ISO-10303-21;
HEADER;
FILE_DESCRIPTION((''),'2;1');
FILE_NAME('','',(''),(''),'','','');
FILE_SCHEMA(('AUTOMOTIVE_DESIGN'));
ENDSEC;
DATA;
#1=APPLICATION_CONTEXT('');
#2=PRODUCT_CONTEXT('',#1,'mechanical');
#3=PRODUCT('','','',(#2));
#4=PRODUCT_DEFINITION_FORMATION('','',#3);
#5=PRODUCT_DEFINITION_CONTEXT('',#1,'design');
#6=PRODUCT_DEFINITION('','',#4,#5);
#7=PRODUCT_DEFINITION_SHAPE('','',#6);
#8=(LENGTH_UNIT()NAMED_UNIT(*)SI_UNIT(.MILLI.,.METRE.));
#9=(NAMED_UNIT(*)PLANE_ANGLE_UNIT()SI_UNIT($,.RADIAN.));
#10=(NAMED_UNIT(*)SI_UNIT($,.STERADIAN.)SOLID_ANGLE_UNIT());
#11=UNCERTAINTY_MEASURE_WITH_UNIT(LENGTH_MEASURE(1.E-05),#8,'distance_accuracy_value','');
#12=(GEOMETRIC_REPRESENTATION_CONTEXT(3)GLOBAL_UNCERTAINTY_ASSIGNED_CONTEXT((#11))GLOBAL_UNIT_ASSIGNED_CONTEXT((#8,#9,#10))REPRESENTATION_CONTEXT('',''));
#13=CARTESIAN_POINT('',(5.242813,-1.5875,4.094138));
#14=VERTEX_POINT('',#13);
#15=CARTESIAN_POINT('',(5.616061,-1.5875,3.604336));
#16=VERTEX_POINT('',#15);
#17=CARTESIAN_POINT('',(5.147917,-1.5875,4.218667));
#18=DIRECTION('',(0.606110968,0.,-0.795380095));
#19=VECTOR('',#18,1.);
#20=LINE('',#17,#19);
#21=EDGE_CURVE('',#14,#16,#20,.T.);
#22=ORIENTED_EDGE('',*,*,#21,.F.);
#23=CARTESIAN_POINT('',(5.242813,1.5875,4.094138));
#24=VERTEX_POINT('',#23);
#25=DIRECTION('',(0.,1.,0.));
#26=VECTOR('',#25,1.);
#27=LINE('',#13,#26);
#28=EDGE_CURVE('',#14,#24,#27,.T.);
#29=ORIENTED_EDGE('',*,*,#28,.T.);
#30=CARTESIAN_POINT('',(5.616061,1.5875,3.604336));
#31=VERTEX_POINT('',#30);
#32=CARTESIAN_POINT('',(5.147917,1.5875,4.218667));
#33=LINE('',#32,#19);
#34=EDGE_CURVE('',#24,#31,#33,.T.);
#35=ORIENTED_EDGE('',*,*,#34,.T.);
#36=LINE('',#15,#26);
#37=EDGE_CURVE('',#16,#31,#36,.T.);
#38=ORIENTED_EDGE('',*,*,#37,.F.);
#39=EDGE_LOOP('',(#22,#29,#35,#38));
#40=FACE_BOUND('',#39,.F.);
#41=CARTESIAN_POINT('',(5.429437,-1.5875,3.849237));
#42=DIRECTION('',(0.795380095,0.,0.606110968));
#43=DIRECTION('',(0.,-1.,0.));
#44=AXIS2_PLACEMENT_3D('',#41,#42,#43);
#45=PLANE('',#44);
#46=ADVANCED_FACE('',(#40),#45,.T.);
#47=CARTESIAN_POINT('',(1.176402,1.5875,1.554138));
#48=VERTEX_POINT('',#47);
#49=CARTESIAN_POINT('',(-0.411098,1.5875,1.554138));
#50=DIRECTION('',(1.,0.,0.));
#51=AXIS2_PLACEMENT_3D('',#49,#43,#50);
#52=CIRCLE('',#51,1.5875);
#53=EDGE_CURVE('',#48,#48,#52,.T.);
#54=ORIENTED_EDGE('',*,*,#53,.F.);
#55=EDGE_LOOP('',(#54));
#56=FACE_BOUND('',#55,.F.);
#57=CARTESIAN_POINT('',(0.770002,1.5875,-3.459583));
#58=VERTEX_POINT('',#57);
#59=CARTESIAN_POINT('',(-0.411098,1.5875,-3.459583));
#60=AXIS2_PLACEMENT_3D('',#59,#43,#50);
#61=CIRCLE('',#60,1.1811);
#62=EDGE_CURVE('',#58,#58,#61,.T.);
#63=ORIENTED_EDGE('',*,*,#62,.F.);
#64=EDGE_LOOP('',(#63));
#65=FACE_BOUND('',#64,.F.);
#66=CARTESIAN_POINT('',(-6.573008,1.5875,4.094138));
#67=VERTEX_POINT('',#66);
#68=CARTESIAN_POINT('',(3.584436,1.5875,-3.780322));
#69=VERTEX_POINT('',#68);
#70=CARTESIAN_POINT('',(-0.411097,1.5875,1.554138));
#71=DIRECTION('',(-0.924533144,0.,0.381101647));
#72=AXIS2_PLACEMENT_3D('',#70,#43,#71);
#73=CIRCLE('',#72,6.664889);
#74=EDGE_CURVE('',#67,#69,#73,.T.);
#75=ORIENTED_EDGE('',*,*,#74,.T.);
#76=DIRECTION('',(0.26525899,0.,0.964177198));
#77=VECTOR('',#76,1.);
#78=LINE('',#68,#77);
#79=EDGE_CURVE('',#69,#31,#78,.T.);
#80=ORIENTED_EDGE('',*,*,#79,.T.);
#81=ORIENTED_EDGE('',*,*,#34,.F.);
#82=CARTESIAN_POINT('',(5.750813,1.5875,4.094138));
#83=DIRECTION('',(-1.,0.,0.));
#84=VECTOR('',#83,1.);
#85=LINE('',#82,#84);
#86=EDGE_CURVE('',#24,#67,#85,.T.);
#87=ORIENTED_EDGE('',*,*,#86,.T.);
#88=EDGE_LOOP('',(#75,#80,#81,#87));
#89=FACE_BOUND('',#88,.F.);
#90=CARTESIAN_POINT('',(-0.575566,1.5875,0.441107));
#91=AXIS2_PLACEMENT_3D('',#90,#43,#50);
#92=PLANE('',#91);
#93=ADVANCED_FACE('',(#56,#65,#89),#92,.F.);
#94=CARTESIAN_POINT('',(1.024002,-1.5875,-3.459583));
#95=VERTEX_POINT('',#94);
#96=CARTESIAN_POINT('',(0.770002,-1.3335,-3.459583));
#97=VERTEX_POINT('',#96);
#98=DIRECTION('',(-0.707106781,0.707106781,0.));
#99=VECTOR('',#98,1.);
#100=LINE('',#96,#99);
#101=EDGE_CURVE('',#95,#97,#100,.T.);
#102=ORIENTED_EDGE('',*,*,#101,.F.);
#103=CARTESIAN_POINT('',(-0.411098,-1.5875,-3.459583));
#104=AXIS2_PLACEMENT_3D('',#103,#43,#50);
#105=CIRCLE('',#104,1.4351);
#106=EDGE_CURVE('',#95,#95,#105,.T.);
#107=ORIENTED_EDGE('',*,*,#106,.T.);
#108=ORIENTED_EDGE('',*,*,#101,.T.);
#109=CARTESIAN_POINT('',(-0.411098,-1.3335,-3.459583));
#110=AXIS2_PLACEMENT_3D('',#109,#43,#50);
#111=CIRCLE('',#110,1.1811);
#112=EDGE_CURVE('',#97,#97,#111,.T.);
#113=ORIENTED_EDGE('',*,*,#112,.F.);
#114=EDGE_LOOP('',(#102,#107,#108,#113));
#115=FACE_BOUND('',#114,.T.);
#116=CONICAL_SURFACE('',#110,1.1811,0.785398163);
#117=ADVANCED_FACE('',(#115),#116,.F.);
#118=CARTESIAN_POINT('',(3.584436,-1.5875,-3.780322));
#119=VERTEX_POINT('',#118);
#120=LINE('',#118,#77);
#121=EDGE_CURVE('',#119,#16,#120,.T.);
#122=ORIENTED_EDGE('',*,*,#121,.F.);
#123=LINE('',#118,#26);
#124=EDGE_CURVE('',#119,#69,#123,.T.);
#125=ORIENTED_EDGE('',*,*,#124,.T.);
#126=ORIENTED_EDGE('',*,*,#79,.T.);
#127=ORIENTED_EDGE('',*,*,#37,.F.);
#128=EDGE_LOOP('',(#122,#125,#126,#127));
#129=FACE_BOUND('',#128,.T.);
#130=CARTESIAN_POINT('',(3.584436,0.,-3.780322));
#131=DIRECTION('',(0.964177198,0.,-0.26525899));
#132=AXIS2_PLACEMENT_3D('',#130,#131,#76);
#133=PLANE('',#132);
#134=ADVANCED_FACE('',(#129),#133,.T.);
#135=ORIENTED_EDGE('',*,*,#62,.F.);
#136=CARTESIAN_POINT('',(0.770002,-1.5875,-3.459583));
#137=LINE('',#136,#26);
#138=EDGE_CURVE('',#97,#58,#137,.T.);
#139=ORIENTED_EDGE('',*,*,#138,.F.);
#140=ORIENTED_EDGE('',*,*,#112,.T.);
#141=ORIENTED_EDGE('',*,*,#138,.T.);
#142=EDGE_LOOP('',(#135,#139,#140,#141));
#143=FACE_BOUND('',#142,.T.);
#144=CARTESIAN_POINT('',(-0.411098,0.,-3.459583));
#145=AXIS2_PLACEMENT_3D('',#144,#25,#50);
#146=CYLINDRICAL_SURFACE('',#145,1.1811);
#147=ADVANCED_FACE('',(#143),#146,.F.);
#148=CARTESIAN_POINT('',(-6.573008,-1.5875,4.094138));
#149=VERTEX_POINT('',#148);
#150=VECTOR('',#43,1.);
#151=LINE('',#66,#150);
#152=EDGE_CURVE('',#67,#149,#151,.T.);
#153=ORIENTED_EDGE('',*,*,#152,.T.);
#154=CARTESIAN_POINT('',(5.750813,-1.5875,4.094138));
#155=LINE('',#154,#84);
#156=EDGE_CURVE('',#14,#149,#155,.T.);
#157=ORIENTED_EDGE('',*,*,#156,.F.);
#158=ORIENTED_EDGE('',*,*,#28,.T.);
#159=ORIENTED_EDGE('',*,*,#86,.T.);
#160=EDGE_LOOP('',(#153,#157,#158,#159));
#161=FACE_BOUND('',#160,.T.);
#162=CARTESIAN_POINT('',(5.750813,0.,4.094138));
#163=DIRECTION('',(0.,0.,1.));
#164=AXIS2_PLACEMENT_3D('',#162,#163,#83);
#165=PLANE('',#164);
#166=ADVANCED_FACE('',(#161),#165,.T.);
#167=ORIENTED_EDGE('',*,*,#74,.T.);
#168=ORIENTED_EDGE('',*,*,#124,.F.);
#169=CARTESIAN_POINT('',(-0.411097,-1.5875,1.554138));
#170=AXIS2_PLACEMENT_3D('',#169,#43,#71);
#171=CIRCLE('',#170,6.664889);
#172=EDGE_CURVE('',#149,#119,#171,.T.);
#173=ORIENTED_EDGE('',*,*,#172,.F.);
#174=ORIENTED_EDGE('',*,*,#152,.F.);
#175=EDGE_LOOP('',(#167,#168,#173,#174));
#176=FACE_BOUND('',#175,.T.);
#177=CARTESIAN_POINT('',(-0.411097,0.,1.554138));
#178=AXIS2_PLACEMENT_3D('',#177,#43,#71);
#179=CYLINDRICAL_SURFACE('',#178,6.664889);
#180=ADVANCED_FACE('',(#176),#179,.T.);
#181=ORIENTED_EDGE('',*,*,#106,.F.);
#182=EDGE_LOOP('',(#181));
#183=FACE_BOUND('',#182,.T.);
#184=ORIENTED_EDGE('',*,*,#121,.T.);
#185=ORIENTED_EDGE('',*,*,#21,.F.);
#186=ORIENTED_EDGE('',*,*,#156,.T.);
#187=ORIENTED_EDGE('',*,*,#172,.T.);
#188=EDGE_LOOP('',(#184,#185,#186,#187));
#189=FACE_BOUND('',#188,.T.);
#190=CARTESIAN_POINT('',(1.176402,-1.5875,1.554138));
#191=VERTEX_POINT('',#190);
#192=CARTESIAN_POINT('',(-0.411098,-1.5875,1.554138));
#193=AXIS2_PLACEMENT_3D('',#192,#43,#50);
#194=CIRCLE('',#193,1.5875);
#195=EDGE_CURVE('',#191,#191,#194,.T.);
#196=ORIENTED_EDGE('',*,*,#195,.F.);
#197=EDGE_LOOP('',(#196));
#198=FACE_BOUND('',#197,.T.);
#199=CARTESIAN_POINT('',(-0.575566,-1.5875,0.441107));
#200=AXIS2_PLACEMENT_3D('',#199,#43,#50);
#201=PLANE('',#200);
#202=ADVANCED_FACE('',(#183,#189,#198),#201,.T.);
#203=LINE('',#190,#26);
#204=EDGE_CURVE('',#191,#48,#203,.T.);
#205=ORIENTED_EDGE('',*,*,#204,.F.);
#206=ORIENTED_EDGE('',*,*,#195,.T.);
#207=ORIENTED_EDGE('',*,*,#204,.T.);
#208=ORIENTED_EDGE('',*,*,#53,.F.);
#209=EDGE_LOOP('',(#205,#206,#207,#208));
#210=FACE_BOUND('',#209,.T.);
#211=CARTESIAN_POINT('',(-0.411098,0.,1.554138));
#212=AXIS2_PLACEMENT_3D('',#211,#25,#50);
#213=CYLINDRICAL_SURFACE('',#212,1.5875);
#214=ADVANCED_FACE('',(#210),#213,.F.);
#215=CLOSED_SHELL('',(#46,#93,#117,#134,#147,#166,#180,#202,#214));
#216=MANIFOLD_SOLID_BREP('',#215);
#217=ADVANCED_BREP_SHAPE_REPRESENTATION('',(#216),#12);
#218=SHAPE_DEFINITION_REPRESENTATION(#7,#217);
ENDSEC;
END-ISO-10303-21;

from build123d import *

# Parameters (mm, degrees)
F0_R     = 1.1811
F0_R_2   = 1.5875
F1_DEPTH = 1.5875
F2_SIZE2 = 0.254
F2_SIZE  = 0.254
F3_SIZE  = 0.508


with BuildPart() as f1:
    # F0 (on Front) → F1 (new body, symmetric)
    with BuildSketch(Plane.XZ):
        with BuildLine():
            Line((5.750813, 4.094138), (-6.573008, 4.094138))
            ThreePointArc((-6.573008, 4.094138), (-4.49461, -3.713278), (3.584436, -3.780322))
            Line((3.584436, -3.780322), (5.750813, 4.094138))
        make_face()
        with Locations((-0.411098, -3.459583)):
            Circle(F0_R, mode=Mode.SUBTRACT)
        with Locations((-0.411098, 1.554138)):
            Circle(F0_R_2, mode=Mode.SUBTRACT)
    extrude(amount=F1_DEPTH, both=True)

    # F2
    f2_edges = [f1.edges().sort_by_distance(p)[0] for p in [
        (-1.592198, -1.5875, -3.459583),
    ]]
    chamfer(f2_edges, length=F2_SIZE, length2=F2_SIZE2)

    # F3
    f3_edges = [f1.edges().sort_by_distance(p)[0] for p in [
        (5.750813, 0, 4.094138),
    ]]
    chamfer(f3_edges, length=F3_SIZE)


solid = f1.part
